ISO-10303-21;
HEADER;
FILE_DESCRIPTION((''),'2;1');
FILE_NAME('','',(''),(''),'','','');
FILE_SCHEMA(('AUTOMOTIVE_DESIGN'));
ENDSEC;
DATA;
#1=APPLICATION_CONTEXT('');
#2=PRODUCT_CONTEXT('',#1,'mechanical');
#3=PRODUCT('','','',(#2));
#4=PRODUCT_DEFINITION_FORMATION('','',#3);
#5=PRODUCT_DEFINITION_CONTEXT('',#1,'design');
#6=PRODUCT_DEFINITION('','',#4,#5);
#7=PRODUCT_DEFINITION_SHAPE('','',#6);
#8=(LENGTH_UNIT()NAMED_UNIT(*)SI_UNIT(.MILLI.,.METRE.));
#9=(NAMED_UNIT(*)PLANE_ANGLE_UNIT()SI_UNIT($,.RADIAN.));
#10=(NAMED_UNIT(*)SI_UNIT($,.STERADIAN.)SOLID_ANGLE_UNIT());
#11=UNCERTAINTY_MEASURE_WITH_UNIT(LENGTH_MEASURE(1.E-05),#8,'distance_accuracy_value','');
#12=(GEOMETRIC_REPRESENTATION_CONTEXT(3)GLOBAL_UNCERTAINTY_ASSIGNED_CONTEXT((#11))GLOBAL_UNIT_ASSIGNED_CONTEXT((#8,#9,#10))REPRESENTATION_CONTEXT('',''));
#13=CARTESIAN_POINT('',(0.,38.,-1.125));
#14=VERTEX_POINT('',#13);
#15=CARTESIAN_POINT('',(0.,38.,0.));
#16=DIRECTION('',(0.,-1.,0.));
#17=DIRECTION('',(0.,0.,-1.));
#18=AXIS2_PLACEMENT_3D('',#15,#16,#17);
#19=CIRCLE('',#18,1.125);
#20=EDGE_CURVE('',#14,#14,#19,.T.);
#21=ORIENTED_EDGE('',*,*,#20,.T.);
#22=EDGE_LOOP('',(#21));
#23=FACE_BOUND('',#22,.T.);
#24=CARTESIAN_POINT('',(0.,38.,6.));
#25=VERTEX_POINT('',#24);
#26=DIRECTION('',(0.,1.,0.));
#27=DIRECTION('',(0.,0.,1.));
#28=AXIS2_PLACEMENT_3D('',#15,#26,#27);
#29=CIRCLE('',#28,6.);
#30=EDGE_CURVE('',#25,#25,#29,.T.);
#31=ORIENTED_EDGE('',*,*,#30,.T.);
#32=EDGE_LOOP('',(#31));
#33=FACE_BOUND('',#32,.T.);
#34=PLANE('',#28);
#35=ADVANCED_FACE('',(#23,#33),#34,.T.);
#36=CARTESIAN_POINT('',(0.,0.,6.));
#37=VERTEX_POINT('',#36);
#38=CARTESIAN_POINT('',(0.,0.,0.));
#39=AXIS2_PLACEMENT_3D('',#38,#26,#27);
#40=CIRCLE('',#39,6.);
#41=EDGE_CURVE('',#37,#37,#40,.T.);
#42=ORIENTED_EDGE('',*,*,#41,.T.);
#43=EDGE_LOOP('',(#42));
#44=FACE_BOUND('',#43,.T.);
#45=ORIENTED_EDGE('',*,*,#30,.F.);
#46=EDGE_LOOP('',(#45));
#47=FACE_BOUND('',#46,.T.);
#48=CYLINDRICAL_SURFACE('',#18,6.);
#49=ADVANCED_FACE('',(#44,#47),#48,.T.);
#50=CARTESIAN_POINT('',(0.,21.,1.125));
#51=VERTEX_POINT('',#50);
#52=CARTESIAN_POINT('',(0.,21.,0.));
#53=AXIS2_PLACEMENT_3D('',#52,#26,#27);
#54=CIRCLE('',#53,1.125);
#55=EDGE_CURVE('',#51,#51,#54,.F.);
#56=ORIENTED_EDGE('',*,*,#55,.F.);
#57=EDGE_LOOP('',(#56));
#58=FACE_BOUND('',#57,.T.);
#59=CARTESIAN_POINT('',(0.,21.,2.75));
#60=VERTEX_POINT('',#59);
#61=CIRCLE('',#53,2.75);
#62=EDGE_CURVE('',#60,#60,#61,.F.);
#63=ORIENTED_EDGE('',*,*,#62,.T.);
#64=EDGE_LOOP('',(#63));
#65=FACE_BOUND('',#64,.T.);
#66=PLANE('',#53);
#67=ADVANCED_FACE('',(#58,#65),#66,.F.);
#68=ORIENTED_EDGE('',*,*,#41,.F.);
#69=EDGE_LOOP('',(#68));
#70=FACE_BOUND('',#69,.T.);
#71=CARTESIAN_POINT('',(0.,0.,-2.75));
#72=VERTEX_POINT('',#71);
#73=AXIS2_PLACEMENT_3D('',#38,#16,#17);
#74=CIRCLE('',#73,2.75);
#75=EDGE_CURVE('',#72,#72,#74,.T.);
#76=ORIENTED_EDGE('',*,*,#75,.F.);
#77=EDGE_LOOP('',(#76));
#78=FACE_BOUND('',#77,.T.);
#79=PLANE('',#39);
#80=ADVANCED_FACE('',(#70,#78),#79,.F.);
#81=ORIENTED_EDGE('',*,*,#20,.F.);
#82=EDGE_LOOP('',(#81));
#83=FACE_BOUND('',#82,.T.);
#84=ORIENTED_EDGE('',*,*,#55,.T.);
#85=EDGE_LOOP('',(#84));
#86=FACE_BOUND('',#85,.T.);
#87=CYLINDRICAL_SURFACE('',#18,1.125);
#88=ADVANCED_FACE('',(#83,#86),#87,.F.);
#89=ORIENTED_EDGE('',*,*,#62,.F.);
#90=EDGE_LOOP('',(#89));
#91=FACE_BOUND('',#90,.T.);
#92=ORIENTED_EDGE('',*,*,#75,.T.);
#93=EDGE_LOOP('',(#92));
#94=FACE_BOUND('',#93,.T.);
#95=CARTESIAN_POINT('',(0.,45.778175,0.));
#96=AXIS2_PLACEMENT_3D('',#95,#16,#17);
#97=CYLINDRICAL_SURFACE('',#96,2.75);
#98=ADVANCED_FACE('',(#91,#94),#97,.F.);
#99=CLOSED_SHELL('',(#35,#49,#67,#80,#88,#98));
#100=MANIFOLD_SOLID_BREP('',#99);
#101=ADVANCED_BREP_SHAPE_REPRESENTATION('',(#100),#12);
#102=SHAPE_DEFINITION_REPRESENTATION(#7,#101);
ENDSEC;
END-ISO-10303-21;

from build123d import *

# Parameters (mm, degrees)
SKIZZE1_R                       = 6
AUFSATZ_LINEAR_AUSTRAGEN1_DEPTH = 38
SKIZZE2_R                       = 1.125
SCHNITT_LINEAR_AUSTRAGEN1_DEPTH = 39
SKIZZE3_R                       = 2.75
SCHNITT_LINEAR_AUSTRAGEN2_DEPTH = 21


with BuildPart() as part:
    # Skizze1 → Aufsatz-Linear austragen1 (new body)
    with BuildSketch(Plane(origin=(0, 0, 0), x_dir=(1, 0, 0), z_dir=(0, 1, 0))):
        Circle(SKIZZE1_R)
    extrude(amount=AUFSATZ_LINEAR_AUSTRAGEN1_DEPTH)

    # Skizze2 → Schnitt-Linear austragen1 (cut, through all)
    with BuildSketch(Plane(origin=(0, 0, 0), x_dir=(-1, 0, 0), z_dir=(0, -1, 0))):
        Circle(SKIZZE2_R)
    extrude(amount=-SCHNITT_LINEAR_AUSTRAGEN1_DEPTH, mode=Mode.SUBTRACT)

    # Skizze3 → Schnitt-Linear austragen2 (cut)
    with BuildSketch(Plane(origin=(0, 0, 0), x_dir=(-1, 0, 0), z_dir=(0, -1, 0))):
        Circle(SKIZZE3_R)
    extrude(amount=-SCHNITT_LINEAR_AUSTRAGEN2_DEPTH, mode=Mode.SUBTRACT)


solid = part.part
